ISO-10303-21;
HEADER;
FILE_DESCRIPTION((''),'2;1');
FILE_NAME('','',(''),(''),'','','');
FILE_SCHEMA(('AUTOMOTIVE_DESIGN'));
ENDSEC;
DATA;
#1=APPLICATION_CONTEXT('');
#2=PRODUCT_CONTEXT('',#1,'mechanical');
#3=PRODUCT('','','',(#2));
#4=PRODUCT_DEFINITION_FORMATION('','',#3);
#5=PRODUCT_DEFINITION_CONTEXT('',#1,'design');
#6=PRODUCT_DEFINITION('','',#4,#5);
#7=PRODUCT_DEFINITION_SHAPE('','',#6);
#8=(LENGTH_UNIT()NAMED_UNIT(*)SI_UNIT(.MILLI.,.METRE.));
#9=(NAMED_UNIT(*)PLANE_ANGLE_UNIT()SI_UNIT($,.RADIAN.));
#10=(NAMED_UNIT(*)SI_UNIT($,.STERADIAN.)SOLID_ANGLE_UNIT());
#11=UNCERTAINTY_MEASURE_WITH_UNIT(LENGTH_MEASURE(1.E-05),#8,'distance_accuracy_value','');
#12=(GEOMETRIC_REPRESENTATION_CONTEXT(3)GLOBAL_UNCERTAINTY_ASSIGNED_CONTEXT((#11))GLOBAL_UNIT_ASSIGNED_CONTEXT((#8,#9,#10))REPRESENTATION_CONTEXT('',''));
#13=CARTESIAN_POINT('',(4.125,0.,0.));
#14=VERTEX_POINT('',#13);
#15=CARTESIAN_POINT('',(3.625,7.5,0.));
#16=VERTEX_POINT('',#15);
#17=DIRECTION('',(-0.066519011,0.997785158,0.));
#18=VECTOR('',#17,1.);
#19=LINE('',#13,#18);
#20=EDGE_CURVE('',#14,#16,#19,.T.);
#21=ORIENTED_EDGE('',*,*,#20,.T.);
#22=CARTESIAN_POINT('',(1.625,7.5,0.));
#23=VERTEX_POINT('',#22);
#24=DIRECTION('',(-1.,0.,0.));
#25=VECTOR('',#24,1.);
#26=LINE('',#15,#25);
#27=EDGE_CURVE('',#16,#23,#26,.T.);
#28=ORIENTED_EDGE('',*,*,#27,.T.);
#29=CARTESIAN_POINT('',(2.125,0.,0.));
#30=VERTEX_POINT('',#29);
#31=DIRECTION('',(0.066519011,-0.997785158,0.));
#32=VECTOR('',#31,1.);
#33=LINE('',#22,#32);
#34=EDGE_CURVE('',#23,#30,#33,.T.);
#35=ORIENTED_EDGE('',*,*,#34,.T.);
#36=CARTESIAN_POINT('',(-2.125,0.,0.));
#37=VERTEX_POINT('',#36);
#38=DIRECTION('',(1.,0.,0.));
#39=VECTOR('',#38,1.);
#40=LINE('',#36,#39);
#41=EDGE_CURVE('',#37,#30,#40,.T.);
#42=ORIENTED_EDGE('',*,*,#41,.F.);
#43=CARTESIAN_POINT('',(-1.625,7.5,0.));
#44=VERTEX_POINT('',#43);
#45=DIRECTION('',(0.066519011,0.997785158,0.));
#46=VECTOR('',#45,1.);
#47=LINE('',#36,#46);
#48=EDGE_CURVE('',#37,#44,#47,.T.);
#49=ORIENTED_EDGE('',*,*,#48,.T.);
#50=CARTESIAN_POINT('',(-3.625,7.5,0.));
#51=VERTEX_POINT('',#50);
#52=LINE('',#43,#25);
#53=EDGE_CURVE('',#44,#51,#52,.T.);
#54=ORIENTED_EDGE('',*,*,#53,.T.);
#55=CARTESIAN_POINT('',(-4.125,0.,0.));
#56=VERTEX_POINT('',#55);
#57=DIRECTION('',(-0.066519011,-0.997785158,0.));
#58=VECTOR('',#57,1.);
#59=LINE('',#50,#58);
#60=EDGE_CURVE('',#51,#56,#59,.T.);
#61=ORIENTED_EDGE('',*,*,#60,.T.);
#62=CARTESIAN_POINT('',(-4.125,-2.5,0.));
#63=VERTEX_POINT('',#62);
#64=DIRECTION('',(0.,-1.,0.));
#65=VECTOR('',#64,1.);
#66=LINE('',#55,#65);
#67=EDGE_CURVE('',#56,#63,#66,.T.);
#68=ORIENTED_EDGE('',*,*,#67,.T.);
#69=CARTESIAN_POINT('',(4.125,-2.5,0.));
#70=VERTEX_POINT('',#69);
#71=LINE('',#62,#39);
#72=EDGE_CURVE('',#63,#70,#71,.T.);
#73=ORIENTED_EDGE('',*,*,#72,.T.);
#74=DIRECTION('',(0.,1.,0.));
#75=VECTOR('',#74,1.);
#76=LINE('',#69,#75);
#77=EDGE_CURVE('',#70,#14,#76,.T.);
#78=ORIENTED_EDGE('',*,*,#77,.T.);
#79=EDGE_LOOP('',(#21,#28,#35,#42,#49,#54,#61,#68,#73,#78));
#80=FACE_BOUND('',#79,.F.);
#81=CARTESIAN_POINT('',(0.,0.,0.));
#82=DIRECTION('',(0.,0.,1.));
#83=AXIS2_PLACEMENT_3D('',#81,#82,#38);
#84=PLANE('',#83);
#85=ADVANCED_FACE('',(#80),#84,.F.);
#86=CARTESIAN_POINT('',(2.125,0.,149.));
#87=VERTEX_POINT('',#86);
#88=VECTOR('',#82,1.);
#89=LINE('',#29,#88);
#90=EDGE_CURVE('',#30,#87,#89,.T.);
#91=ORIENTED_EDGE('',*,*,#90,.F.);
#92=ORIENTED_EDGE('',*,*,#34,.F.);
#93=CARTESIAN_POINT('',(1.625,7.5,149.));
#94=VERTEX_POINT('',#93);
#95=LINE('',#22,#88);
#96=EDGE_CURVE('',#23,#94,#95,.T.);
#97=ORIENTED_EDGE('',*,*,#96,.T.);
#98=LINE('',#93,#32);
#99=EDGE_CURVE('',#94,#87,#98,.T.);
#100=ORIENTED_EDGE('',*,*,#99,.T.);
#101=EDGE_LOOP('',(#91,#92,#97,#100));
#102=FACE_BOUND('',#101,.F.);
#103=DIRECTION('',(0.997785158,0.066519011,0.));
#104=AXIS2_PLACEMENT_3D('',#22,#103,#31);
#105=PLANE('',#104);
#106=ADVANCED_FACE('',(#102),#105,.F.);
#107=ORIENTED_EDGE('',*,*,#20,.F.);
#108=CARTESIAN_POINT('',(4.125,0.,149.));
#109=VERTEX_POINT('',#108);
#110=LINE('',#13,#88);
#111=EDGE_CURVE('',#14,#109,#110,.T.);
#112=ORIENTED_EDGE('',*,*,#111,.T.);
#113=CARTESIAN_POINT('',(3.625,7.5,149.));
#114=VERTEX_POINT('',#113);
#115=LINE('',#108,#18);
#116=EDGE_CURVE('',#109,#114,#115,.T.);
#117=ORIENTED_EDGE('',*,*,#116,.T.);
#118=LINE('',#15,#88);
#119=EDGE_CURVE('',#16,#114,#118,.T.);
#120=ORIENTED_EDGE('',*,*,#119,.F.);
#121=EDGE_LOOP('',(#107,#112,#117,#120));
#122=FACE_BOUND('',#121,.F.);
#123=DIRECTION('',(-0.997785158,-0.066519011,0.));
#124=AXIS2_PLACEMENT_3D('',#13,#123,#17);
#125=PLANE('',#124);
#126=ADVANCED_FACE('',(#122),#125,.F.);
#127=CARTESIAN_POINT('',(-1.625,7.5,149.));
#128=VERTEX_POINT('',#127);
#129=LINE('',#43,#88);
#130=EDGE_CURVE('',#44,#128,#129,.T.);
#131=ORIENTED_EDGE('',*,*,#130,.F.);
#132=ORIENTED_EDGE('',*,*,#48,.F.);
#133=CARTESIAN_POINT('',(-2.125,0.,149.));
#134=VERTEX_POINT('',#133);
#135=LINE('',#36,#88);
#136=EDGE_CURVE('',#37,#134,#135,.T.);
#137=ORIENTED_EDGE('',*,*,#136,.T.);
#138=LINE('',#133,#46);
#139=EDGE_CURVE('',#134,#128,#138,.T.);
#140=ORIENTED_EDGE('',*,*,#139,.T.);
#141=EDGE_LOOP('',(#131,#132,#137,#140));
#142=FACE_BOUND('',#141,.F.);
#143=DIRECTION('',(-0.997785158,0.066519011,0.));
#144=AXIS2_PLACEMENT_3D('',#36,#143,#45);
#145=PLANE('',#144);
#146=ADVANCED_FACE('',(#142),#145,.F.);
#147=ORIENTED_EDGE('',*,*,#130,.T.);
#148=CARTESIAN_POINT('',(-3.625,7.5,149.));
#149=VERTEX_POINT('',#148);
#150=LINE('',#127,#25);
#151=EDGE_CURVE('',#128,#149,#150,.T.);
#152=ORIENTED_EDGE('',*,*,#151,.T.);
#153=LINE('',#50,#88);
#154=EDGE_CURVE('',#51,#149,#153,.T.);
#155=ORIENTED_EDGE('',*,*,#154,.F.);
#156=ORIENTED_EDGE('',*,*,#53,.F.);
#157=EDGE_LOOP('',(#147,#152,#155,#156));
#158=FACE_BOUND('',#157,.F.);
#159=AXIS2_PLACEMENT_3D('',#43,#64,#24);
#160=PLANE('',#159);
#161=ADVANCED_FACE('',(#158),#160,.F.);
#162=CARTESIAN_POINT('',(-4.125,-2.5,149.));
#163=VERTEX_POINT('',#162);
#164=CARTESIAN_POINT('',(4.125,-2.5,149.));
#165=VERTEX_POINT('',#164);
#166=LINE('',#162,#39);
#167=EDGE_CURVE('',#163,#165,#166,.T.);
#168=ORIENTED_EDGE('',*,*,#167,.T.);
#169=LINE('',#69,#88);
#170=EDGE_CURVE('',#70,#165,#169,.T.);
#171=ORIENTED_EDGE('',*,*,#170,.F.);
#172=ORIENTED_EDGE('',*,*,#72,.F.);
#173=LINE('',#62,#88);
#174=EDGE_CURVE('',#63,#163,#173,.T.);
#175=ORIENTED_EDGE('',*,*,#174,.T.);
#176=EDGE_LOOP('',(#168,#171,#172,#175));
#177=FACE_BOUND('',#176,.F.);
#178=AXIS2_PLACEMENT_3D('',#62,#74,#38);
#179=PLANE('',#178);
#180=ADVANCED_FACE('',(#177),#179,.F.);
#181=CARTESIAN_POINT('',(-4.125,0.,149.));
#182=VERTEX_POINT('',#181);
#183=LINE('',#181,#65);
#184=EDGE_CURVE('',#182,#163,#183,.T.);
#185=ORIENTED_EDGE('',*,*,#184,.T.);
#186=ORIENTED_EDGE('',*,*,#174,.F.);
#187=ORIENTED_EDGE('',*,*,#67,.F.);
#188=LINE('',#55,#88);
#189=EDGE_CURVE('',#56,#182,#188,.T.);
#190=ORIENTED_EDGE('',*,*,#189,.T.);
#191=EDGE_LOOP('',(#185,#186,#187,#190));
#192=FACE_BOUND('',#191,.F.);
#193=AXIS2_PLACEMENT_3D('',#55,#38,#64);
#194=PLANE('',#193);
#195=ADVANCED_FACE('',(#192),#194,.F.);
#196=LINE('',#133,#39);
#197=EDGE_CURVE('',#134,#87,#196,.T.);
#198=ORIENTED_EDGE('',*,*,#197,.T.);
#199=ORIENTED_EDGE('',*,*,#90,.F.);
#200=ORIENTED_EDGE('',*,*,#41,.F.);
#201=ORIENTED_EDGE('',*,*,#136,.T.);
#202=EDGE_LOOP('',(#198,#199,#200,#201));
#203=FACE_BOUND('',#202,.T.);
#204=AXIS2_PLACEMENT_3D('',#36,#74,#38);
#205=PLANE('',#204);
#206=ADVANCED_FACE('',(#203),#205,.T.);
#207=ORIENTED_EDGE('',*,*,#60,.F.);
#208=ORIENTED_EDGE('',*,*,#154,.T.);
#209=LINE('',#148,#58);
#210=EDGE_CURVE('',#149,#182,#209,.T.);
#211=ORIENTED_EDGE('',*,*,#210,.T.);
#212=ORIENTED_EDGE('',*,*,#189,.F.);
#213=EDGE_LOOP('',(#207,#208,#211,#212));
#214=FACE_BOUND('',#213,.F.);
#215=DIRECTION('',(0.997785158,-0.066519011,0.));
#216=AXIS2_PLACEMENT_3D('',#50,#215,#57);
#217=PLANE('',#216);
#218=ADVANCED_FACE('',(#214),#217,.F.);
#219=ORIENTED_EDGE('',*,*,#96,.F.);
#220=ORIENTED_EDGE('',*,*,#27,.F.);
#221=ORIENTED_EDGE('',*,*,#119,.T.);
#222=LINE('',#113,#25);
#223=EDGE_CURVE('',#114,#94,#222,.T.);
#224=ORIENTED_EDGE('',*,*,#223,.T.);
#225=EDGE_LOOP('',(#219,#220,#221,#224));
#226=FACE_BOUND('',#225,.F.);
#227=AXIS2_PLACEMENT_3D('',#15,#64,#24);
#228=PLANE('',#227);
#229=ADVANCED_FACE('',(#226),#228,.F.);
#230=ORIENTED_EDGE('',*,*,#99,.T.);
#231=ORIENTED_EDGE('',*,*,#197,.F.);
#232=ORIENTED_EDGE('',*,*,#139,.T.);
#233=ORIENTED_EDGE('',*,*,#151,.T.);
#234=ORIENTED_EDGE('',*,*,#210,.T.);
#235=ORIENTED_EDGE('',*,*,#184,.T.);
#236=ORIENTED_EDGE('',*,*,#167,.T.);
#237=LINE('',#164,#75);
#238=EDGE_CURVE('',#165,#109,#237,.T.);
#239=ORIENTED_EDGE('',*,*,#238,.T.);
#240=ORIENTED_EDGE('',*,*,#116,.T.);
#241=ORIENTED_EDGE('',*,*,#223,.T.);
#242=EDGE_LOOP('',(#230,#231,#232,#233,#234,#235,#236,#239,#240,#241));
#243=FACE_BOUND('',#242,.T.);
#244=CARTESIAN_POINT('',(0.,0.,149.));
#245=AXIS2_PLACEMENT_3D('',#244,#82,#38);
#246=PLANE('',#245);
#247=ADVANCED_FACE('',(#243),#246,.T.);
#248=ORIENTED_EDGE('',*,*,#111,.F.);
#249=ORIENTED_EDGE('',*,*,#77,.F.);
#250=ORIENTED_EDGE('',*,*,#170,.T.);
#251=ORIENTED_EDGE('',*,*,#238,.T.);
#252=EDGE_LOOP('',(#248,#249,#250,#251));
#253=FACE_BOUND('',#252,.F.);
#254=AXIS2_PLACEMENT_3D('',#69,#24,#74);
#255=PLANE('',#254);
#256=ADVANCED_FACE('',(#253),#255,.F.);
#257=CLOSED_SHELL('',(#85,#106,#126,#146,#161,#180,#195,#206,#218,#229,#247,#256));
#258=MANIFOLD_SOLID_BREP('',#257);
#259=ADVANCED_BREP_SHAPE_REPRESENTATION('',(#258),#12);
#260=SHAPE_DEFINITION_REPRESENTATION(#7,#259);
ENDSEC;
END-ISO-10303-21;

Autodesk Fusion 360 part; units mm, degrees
sketch "Sketch1" plane through (0, 0, 0) normal (0, 0, 1) x (1, 0, 0)
  line L0 (0, 7.5) -> (0, -2.5) construction
  line L1 (-4.125, 0) -> (4.125, 0) construction
  line L2 (-3.625, 7.5) -> (-4.125, 0)
  line L3 (-4.125, -2.5) -> (4.125, -2.5)
  line L4 (4.125, -2.5) -> (4.125, 0)
  line L5 (4.125, 0) -> (3.625, 7.5)
  line L6 (3.625, 7.5) -> (1.625, 7.5)
  line L7 (1.625, 7.5) -> (2.125, 0)
  line L8 (-2.125, 0) -> (-1.625, 7.5)
  line L9 (-1.625, 7.5) -> (-3.625, 7.5)
  line L10 (-2.125, 0) -> (2.125, 0)
  line L11 (-3.8098, 4.7284) -> (-1.8142, 4.5954) construction
  line L12 (-4.125, 0) -> (-4.125, -2.5)
  dimension "d7" = 7.5
  dimension "d8" = 8.25
  dimension "d9" = 4.25
  dimension "d10" = 3.25
  dimension "d12" = 2
  dimension "d13" = 2.5
extrude "Extrude1" add sketch "Sketch1" along normal blind 149
equation "thickness_back = 2.5 mm"
equation "thickness_sides = 2 mm"
equation "length_sides = 7.5 mm"
equation "width_normal = 4.25 mm"
equation "width_pinch = 3.25 mm"
equation "d7 = length_sides"
equation "d8 = width_normal + 2 * thickness_sides"
equation "d9 = width_normal"
equation "d10 = width_pinch"
equation "d12 = thickness_sides"
equation "d13 = thickness_back"
equation "d14 = length"
equation "length = 149 mm"
